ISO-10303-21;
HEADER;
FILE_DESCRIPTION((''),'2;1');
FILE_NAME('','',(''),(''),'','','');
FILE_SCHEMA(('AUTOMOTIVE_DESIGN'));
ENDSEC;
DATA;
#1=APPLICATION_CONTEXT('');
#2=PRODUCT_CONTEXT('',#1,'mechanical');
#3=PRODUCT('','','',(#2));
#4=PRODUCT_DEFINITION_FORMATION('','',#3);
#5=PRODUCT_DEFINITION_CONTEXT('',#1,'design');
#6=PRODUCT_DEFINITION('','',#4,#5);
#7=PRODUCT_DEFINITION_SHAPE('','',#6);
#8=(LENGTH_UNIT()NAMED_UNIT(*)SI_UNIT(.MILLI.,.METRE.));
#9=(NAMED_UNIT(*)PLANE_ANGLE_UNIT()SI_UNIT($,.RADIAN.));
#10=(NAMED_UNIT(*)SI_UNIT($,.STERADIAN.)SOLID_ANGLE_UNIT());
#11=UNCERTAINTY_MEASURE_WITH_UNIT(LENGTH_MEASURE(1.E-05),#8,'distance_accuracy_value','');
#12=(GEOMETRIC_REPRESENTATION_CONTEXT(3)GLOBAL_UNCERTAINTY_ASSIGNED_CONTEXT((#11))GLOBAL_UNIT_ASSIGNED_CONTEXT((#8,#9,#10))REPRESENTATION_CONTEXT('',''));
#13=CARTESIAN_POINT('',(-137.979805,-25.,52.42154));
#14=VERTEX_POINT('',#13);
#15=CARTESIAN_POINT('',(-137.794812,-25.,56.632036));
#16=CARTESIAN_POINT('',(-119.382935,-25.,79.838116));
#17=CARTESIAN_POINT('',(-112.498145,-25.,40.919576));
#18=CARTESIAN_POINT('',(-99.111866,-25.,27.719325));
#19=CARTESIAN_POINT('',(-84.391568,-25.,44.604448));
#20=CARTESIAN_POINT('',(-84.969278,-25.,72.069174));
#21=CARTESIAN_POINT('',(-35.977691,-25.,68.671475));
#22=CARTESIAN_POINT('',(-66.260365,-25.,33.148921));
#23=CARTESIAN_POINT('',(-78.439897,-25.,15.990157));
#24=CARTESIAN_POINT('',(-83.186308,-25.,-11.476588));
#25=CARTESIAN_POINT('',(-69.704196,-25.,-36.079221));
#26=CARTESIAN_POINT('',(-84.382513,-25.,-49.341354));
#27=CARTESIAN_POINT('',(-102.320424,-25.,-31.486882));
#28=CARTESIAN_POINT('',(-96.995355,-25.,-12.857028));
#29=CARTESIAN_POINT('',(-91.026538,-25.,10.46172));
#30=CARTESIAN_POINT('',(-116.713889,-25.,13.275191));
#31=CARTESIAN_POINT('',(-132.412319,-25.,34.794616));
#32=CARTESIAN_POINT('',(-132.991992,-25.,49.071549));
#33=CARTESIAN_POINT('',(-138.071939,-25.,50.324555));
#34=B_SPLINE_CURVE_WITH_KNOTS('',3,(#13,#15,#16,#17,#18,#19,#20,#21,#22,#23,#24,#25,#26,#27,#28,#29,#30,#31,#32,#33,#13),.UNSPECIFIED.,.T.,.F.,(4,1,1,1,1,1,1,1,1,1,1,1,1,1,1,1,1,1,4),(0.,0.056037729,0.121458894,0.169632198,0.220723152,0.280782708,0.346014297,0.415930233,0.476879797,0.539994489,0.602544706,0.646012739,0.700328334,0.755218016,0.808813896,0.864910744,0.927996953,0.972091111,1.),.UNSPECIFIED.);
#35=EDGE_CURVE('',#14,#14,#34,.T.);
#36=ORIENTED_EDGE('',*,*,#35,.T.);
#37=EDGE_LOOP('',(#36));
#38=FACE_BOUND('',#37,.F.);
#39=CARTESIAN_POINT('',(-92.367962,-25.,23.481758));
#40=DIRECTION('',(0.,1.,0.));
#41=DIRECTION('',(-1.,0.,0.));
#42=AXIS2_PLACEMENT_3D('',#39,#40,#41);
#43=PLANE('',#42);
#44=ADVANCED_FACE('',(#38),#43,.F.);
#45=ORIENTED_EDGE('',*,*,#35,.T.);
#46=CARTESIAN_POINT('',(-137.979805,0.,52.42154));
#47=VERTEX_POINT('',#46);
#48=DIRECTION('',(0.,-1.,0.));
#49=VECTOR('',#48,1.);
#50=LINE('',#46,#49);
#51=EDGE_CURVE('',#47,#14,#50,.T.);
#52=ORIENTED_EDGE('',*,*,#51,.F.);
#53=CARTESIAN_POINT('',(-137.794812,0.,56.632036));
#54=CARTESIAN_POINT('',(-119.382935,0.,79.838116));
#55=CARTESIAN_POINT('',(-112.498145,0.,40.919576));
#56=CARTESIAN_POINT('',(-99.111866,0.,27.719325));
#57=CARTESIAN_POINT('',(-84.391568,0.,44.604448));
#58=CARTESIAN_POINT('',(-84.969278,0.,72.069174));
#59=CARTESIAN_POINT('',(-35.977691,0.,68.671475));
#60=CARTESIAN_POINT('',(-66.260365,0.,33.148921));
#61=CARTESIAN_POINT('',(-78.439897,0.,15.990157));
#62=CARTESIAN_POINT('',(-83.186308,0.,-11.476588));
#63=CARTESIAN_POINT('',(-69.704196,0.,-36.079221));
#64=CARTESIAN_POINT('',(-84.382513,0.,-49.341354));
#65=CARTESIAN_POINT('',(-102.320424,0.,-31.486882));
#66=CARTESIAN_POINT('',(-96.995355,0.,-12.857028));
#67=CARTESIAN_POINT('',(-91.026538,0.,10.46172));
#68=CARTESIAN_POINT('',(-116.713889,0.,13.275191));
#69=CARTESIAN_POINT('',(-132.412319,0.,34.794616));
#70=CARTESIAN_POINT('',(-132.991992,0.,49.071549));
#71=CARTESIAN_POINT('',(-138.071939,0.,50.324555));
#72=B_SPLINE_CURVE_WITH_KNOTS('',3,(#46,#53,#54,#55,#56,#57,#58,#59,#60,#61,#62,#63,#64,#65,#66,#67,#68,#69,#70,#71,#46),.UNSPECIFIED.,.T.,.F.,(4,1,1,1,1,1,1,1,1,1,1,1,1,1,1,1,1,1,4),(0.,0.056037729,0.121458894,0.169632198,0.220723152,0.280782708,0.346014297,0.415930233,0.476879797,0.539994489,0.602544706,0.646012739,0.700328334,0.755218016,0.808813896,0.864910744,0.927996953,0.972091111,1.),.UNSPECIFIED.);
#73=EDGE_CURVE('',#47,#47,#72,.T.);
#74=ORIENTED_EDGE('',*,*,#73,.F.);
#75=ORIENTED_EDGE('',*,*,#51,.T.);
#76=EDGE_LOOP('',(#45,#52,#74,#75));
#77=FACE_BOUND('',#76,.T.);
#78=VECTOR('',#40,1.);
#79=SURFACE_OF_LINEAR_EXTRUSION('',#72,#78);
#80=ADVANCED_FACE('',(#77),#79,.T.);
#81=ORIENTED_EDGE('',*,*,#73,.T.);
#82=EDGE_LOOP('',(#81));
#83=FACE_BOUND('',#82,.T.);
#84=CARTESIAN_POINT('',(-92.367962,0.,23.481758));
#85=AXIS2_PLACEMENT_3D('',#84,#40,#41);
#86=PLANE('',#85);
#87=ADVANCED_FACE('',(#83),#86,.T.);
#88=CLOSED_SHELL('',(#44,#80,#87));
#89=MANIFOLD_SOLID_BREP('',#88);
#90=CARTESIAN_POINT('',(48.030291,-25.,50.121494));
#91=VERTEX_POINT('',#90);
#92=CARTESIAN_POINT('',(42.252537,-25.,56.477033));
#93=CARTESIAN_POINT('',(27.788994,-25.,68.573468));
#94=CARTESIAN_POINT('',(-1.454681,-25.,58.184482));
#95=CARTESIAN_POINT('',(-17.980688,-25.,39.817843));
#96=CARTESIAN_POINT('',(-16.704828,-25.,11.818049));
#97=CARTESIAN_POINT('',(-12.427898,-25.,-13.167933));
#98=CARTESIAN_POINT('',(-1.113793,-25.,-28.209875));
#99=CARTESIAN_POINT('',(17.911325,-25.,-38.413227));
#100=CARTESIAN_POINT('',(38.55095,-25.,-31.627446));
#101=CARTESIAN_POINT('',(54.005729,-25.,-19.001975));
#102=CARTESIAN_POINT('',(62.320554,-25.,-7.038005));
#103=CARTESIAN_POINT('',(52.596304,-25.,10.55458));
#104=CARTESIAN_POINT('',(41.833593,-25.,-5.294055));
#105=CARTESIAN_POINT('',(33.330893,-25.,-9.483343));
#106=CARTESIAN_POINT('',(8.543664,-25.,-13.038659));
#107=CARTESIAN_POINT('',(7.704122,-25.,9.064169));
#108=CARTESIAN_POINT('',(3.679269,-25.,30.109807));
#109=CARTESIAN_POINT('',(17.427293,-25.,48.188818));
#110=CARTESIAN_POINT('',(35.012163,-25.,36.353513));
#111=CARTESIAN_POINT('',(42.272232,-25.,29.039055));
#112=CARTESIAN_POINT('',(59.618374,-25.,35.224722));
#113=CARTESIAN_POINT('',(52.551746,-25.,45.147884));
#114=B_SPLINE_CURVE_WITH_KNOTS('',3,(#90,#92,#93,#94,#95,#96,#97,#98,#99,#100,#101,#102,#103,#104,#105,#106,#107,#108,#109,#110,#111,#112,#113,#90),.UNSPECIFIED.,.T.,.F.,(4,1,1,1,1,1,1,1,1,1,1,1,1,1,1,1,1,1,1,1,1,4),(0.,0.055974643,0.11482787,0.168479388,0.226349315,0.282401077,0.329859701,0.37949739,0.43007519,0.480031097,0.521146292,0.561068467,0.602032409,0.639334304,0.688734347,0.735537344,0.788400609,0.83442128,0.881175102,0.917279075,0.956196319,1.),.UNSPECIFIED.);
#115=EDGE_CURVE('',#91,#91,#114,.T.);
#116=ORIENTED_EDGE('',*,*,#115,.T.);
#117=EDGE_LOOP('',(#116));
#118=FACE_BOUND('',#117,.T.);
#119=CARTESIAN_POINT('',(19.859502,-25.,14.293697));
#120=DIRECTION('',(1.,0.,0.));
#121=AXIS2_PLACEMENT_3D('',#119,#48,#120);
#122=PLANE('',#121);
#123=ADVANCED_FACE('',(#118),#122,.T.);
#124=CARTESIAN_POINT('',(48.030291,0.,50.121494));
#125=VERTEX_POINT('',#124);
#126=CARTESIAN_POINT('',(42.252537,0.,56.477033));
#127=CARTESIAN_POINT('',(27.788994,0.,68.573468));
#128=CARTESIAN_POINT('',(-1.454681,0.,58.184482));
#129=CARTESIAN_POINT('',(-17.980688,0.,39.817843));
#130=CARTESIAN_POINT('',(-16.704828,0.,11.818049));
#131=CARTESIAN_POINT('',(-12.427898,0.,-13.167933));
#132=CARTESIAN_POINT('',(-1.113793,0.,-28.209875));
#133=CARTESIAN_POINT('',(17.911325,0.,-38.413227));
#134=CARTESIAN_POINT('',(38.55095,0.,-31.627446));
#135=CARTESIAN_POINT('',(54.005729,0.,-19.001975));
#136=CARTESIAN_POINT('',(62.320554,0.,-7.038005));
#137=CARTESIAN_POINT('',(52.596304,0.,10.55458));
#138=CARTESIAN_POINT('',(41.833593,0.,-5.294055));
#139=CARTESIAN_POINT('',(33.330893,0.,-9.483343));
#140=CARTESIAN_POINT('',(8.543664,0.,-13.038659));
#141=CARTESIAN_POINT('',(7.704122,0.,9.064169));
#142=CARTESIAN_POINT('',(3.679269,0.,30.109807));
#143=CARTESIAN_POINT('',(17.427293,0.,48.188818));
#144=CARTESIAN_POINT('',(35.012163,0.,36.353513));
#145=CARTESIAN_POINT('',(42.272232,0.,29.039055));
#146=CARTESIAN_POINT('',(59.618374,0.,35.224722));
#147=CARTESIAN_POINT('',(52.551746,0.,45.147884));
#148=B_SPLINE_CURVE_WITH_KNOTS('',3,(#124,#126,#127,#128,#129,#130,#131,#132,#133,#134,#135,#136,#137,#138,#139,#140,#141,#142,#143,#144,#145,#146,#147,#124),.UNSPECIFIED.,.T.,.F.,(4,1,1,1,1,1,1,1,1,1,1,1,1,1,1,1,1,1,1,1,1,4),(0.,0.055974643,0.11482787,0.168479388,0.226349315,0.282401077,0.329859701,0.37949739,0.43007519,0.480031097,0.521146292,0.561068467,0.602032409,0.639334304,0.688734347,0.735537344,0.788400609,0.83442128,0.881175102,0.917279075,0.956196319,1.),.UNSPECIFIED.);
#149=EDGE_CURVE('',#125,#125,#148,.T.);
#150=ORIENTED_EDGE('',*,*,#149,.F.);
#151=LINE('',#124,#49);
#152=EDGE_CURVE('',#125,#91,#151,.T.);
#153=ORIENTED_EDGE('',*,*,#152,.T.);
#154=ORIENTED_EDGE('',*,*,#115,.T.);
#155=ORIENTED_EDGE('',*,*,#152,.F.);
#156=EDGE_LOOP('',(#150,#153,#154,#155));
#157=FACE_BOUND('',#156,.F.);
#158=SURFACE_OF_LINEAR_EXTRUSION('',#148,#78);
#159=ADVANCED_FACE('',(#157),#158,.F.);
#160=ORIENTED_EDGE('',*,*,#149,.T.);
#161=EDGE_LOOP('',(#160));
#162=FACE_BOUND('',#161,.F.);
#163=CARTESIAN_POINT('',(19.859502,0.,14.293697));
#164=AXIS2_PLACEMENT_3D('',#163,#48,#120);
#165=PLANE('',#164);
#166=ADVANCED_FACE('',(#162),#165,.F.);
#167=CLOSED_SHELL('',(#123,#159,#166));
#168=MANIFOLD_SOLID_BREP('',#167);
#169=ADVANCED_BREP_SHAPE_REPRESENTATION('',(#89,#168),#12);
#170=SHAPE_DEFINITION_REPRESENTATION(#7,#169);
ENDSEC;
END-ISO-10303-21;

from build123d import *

# Parameters (mm, degrees)
F1_DEPTH = 25
F3_DEPTH = 25


with BuildPart() as f1:
    # F0 (on Front) → F1 (new body)
    with BuildSketch(Plane.XZ):
        with BuildLine():
            add(Edge.make_bspline(
                [(-137.9798054695, 52.4215400219), (-137.7948123679, 56.6320360499), (-119.3829353492, 79.83811605), (-112.4981449232, 40.9195758546), (-99.1118661374, 27.719325016), (-84.3915680013, 44.6044481634), (-84.9692781545, 72.069174403), (-35.9776913924, 68.6714746943), (-66.2603649901, 33.1489213242), (-78.4398967271, 15.9901573683), (-83.1863078774, -11.4765882359), (-69.7041959291, -36.0792205659), (-84.3825125836, -49.3413540488), (-102.3204241566, -31.4868818048), (-96.9953554342, -12.8570284006), (-91.0265376447, 10.4617196588), (-116.7138893145, 13.2751910522), (-132.4123189444, 34.7946162232), (-132.9919923343, 49.0715492998), (-138.0719389663, 50.3245552214), (-137.9798054695, 52.4215400219)],
                knots=[0, 0, 0, 0, 0.0560377289, 0.1214588937, 0.1696321983, 0.2207231516, 0.2807827082, 0.3460142971, 0.4159302332, 0.4768797971, 0.5399944892, 0.6025447062, 0.6460127391, 0.7003283342, 0.7552180159, 0.8088138961, 0.8649107443, 0.927996953, 0.9720911111, 1, 1, 1, 1], degree=3))
        make_face()
    extrude(amount=F1_DEPTH)


with BuildPart() as f3:
    # F2 (on Front) → F3 (new body)
    with BuildSketch(Plane.XZ):
        with BuildLine():
            add(Edge.make_bspline(
                [(48.0302907526, 50.1214936376), (42.2525373998, 56.4770330638), (27.7889943059, 68.5734680355), (-1.4546810148, 58.1844821315), (-17.9806878777, 39.8178428585), (-16.7048279341, 11.8180485442), (-12.4278977572, -13.1679330013), (-1.1137930157, -28.209875005), (17.9113245406, -38.4132267717), (38.5509500481, -31.6274455809), (54.0057291108, -19.0019750804), (62.3205542357, -7.0380053249), (52.5963038158, 10.5545797803), (41.8335932875, -5.2940550812), (33.3308932785, -9.4833431588), (8.5436639809, -13.038659135), (7.7041220301, 9.0641691118), (3.6792692338, 30.1098065912), (17.4272929634, 48.188818472), (35.0121628128, 36.3535127489), (42.2722317201, 29.0390554403), (59.6183739144, 35.2247221062), (52.5517463866, 45.147884037), (48.0302907526, 50.1214936376)],
                knots=[0, 0, 0, 0, 0.0559746433, 0.1148278699, 0.1684793877, 0.2263493154, 0.2824010767, 0.3298597007, 0.3794973903, 0.43007519, 0.480031097, 0.5211462924, 0.5610684668, 0.6020324087, 0.6393343042, 0.6887343472, 0.7355373438, 0.7884006085, 0.8344212798, 0.8811751018, 0.9172790755, 0.9561963187, 1, 1, 1, 1], degree=3))
        make_face()
    extrude(amount=F3_DEPTH)


solid = Compound([f1.part, f3.part])
